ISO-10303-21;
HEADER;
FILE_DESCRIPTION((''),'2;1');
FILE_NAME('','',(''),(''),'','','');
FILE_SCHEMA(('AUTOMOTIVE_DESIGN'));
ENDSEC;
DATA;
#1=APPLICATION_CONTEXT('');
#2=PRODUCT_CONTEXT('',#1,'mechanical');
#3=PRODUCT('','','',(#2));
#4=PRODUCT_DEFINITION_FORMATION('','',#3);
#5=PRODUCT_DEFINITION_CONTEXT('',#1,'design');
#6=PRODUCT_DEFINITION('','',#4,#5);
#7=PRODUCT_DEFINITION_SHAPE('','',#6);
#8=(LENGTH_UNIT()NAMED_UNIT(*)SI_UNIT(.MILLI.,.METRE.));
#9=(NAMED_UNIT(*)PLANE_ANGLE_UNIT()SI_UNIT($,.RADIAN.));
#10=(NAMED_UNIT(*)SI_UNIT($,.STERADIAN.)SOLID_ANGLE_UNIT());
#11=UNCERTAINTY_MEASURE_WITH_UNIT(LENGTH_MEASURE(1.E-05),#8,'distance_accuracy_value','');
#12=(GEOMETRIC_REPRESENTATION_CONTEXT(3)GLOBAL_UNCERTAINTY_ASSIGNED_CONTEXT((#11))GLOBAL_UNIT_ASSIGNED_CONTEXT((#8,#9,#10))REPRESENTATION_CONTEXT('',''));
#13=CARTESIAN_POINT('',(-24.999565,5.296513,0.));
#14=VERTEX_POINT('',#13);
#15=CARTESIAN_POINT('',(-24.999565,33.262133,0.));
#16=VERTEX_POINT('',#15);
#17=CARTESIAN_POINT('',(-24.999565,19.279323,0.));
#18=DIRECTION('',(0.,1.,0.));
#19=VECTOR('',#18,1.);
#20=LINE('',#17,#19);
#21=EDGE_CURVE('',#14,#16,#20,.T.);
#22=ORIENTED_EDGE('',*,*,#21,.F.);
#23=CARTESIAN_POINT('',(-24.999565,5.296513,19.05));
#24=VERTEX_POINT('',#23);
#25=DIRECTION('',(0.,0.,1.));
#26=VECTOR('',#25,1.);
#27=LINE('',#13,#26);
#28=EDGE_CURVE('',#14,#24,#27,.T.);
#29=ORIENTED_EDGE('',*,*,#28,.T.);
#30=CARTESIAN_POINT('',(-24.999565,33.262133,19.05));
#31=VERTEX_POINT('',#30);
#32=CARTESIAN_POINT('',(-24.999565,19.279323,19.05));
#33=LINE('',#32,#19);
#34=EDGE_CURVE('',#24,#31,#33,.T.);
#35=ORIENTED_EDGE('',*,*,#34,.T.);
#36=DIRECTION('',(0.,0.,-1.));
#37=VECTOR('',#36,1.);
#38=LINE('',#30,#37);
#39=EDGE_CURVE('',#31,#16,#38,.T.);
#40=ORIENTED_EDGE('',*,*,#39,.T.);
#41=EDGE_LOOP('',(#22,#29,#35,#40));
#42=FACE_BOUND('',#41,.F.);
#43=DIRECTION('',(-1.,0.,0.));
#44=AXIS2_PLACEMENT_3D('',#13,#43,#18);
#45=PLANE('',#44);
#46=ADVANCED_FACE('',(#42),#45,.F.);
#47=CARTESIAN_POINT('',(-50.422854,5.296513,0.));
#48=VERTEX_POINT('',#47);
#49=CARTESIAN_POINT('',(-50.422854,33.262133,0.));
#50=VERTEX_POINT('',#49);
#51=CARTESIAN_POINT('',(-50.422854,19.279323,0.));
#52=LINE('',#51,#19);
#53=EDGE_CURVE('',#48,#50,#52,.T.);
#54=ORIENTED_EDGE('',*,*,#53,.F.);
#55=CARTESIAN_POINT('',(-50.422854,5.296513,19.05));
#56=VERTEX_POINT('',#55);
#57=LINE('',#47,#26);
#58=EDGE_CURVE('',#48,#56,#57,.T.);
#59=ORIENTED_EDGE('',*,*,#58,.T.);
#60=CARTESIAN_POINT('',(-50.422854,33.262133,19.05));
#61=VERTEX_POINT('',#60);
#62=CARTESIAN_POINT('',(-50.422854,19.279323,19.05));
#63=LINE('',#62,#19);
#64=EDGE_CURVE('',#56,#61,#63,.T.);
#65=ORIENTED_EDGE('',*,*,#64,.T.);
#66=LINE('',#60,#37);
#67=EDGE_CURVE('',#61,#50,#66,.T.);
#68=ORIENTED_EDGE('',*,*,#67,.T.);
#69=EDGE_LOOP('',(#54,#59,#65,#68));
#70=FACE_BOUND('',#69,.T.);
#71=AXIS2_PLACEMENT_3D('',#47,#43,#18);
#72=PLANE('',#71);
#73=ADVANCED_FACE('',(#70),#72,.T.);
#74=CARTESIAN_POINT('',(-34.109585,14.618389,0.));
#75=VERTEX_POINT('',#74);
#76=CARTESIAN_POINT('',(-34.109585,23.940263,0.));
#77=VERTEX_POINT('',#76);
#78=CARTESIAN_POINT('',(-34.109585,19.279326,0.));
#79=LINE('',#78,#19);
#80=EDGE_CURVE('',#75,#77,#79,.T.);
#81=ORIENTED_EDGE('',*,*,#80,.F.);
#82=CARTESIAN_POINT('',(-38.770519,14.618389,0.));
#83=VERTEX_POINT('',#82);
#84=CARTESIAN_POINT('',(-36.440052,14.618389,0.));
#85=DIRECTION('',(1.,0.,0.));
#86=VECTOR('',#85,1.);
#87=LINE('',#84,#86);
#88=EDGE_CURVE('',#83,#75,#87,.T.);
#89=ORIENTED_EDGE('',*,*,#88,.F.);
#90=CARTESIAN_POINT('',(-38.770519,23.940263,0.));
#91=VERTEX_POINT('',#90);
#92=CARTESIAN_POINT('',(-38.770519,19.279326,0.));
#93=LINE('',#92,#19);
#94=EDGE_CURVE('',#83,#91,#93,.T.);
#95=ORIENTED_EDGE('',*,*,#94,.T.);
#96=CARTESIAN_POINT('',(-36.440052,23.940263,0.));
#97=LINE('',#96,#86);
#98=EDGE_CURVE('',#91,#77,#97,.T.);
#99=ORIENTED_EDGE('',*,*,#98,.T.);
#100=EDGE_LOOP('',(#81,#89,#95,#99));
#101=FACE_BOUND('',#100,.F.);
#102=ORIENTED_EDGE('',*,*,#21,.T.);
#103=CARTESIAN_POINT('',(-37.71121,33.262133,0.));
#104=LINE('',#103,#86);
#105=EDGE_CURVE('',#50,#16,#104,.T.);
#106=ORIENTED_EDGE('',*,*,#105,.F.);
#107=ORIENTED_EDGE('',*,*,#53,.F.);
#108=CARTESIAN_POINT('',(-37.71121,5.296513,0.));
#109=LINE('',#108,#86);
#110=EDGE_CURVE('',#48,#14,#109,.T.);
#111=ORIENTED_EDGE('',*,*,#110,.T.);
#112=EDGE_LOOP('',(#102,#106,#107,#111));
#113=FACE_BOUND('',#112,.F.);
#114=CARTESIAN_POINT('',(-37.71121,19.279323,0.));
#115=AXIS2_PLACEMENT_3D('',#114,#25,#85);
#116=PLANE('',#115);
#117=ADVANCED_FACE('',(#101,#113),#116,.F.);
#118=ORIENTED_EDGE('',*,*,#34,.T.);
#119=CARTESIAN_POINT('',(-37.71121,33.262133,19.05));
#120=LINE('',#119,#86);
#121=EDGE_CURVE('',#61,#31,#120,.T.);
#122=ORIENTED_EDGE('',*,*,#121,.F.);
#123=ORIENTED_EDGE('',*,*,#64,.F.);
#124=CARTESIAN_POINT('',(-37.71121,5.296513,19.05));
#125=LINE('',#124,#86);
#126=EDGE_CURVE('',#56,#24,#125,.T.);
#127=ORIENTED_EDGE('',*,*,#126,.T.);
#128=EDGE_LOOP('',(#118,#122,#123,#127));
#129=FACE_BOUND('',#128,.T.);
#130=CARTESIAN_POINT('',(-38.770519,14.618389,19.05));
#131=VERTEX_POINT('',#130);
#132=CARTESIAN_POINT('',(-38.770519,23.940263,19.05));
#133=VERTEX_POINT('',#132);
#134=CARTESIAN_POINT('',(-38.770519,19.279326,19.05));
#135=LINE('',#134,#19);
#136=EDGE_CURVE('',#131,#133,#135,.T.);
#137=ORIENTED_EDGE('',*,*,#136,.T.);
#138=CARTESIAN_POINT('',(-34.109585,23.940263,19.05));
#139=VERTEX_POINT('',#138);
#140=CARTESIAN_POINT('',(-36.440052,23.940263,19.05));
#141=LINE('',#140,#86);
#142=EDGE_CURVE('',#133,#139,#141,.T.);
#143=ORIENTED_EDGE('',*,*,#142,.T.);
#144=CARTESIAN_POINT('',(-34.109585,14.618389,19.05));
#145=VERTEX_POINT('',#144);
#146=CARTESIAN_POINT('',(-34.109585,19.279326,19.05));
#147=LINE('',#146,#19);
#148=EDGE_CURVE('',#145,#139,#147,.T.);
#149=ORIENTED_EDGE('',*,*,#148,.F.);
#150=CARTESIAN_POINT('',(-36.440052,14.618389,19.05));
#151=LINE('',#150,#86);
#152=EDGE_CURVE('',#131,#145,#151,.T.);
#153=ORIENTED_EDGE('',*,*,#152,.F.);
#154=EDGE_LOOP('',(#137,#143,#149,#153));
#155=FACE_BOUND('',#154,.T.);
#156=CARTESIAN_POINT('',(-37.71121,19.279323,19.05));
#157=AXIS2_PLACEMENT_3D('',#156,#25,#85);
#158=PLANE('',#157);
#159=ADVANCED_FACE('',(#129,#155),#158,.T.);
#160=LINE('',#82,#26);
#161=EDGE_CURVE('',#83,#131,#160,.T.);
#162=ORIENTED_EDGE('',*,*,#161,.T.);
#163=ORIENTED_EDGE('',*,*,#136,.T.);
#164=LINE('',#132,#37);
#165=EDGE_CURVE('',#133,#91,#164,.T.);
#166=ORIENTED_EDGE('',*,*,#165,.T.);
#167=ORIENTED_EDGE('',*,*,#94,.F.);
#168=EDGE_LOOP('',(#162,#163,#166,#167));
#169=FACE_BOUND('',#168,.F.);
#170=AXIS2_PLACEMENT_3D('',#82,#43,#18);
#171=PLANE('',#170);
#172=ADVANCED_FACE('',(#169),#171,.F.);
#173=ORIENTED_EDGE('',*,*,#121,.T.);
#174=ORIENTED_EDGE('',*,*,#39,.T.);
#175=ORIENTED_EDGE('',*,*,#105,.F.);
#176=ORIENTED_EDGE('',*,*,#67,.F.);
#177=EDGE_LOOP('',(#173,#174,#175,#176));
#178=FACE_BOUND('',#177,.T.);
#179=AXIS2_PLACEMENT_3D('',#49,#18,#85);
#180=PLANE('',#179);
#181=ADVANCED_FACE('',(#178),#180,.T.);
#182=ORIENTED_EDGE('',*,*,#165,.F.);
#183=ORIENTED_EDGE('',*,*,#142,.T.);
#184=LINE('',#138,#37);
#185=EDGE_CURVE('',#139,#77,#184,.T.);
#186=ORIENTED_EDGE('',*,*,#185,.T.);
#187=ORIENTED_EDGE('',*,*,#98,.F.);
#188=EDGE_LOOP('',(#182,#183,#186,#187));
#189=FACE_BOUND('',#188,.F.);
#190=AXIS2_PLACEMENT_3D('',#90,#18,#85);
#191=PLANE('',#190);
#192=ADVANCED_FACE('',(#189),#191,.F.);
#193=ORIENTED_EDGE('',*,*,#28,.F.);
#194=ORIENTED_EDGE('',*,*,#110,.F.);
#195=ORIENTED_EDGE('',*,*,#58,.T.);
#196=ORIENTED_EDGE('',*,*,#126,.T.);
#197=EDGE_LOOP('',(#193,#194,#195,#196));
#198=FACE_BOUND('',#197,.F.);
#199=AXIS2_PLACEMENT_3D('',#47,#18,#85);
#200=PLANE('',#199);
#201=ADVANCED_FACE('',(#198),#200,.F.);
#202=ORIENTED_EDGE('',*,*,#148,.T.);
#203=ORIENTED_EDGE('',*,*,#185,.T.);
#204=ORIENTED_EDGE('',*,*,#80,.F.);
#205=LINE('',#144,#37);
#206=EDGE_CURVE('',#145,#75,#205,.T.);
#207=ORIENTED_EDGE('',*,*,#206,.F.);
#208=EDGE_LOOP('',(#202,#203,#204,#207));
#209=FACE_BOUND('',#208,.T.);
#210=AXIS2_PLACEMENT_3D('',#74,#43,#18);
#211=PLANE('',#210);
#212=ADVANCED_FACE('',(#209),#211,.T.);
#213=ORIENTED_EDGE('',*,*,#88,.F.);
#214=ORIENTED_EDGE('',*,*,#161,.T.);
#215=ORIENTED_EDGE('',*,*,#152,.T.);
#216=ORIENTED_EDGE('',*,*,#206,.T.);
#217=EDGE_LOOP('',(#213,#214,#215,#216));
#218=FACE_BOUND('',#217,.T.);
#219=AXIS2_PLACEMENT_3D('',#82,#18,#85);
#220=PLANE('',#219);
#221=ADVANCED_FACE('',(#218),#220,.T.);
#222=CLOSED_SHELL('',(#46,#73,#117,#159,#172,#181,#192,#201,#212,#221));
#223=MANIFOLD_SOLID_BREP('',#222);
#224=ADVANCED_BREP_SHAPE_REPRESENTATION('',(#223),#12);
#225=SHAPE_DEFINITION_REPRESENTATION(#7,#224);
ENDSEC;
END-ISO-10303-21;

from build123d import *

# Parameters (mm, degrees)
F0_W     = 25.423289
F0_H     = 27.965621
F0_W_2   = 4.660934
F0_H_2   = 9.321874
F1_DEPTH = 6.35
F2_DEPTH = 19.05


with BuildPart() as f1:
    # F0 (on Top) → F1 (new body)
    with BuildSketch(Plane.XY):
        with Locations((-37.71121, 19.279323)):
            Rectangle(F0_W, F0_H)
        with Locations((-36.440052, 19.279326)):
            Rectangle(F0_W_2, F0_H_2, mode=Mode.SUBTRACT)
    extrude(amount=F1_DEPTH)

    # F0 (on Top) → F2 (join)
    with BuildSketch(Plane.XY):
        with Locations((-37.71121, 19.279323)):
            Rectangle(F0_W, F0_H)
        with Locations((-36.440052, 19.279326)):
            Rectangle(F0_W_2, F0_H_2, mode=Mode.SUBTRACT)
    extrude(amount=F2_DEPTH)


solid = f1.part
